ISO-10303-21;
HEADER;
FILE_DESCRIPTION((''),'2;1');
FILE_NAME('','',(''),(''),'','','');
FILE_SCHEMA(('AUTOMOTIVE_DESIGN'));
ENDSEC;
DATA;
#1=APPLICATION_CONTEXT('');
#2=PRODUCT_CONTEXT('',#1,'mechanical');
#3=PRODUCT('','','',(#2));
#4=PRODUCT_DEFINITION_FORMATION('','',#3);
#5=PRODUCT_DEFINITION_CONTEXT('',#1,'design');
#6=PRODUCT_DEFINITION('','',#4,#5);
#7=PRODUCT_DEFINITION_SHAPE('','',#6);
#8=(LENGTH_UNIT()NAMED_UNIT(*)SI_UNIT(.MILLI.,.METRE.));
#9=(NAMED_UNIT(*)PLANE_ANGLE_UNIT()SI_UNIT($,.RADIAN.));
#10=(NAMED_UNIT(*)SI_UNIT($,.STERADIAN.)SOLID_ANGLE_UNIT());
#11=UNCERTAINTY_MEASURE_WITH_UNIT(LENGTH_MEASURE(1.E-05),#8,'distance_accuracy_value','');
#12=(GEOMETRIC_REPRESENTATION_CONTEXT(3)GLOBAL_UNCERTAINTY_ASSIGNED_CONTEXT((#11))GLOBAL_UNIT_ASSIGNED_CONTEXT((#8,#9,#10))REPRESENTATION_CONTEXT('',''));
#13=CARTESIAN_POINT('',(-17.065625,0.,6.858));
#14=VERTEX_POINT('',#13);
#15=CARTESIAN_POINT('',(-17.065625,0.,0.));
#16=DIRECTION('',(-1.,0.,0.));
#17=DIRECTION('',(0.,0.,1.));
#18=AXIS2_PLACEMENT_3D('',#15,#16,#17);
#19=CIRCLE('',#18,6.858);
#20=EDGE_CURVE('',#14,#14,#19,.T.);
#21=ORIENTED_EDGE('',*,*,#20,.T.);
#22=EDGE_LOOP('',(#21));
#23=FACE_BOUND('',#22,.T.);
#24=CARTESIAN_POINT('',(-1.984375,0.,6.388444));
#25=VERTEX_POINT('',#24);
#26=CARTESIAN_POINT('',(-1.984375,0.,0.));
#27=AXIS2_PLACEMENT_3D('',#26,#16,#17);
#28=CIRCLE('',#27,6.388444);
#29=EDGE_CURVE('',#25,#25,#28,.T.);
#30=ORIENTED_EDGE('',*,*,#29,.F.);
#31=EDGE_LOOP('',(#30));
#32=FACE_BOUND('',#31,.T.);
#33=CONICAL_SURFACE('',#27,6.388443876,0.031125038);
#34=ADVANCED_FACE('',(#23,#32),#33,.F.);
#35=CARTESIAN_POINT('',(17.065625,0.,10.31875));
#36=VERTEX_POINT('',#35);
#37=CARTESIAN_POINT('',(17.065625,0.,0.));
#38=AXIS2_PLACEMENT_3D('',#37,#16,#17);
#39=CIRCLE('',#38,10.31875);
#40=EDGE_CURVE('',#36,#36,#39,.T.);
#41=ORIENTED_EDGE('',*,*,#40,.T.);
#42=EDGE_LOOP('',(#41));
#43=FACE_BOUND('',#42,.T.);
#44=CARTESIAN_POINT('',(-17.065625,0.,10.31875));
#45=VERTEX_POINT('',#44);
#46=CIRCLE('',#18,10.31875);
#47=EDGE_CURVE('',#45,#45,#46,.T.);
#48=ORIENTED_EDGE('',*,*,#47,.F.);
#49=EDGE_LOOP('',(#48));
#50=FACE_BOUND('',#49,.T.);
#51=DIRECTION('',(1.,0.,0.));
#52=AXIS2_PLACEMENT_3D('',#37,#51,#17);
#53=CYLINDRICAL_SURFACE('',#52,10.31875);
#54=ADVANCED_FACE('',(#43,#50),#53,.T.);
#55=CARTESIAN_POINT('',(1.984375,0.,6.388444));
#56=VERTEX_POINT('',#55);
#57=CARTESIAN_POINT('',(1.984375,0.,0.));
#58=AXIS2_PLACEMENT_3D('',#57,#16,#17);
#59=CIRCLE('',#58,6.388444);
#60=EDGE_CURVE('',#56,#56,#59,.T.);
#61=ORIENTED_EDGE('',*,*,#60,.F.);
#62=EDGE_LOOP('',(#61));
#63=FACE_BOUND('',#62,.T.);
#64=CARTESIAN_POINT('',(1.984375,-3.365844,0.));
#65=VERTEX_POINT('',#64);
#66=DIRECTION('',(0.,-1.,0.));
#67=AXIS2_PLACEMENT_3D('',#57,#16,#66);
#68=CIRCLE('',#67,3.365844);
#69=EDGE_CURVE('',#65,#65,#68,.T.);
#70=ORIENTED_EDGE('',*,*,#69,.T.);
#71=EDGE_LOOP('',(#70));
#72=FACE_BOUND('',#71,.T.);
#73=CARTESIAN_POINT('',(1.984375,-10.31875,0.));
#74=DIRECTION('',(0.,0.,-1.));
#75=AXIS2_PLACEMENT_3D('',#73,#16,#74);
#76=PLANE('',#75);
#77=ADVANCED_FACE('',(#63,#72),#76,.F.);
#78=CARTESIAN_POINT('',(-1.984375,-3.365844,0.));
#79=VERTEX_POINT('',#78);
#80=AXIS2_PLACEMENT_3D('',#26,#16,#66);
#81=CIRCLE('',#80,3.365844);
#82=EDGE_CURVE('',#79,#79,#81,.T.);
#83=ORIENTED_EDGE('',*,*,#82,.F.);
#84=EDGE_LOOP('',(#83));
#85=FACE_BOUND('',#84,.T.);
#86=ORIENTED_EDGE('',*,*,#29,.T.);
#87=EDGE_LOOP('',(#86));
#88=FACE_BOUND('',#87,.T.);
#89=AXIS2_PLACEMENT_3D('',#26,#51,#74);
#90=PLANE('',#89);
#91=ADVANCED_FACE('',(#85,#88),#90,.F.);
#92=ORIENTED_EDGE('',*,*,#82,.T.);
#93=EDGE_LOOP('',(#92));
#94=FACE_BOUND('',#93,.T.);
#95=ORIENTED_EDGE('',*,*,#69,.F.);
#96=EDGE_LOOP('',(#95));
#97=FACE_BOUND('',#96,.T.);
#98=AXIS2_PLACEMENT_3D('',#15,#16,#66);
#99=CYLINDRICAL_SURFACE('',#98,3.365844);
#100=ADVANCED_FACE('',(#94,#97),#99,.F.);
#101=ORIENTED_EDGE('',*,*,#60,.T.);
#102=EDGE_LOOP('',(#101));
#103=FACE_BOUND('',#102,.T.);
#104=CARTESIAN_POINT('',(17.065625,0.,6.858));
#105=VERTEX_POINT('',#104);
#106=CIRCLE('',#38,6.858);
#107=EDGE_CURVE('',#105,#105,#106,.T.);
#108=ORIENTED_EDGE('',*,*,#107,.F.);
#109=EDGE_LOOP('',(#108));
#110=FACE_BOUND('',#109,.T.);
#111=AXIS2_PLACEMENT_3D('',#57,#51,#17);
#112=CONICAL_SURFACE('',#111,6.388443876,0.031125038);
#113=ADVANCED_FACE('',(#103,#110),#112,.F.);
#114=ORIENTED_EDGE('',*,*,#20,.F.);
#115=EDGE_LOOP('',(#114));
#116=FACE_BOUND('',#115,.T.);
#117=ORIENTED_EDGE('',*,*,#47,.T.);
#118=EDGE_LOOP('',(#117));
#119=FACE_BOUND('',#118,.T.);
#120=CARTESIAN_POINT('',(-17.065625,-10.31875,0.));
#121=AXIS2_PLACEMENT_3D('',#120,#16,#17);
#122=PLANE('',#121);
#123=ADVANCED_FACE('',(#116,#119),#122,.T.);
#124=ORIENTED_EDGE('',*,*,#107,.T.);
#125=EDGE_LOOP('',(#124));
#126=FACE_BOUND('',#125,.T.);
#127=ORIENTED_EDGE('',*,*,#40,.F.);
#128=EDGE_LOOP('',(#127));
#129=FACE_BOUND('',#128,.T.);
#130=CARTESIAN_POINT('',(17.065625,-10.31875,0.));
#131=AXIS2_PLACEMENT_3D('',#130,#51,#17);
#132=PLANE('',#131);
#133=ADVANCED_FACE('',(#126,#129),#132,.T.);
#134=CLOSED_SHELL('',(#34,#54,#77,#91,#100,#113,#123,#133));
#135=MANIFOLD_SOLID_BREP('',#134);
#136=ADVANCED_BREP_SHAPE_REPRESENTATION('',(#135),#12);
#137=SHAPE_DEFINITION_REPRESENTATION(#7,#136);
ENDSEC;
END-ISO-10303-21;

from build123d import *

# Parameters (mm, degrees)
BOSS_EXTRUDE1_START = 3.96875
SKETCH3_R           = 10.31875
BOSS_EXTRUDE1_DEPTH = 3.96875


with BuildPart() as part:
    # Sketch1 → Revolve1 (revolve)
    with BuildSketch(Plane.XY, mode=Mode.PRIVATE) as revolve1_sk:
        Polygon((-17.065625, -10.31875), (-1.984375, -10.31875), (-1.984375, -6.388443876), (-17.065625, -6.858), align=None)
    revolve(revolve1_sk.sketch.rotate(Axis((-17.065625, 0, 0), (1, 0, 0)), 270), axis=Axis((-17.065625, 0, 0), (1, 0, 0)))


with BuildPart() as body_2:
    # Mirror2: mirrored copy
    add(part.part.mirror(Plane(origin=(0, 0, 0), x_dir=(0, 0, 1), z_dir=(1, 0, 0))))


with BuildPart() as part_1:
    add(part.part)

    add(body_2.part)  # Boss-Extrude1 merges body 2
    # Sketch3 → Boss-Extrude1 (add)
    with BuildSketch(Plane(origin=(-1.984375, 0, 0), x_dir=(0, 0, -1), z_dir=(1, 0, 0)).offset(BOSS_EXTRUDE1_START)):
        with Locations(Location((0, 0, 0), (0, 0, 180))):
            Circle(SKETCH3_R)
    extrude(amount=-BOSS_EXTRUDE1_DEPTH)

    # Sketch8 → Cut-Revolve1 (revolve, cut)
    with BuildSketch(Plane.XY):
        Polygon((-17.065625, 0), (17.065625, 0), (17.065625, -6.858), (1.984375, -6.388443876), (1.984375, -3.365843876), (-1.984375, -3.365843876), (-1.984375, -6.388443876), (-17.065625, -6.858), align=None)
    revolve(axis=Axis((-17.065625, 0, 0), (1, 0, 0)), mode=Mode.SUBTRACT)


solid = part_1.part
